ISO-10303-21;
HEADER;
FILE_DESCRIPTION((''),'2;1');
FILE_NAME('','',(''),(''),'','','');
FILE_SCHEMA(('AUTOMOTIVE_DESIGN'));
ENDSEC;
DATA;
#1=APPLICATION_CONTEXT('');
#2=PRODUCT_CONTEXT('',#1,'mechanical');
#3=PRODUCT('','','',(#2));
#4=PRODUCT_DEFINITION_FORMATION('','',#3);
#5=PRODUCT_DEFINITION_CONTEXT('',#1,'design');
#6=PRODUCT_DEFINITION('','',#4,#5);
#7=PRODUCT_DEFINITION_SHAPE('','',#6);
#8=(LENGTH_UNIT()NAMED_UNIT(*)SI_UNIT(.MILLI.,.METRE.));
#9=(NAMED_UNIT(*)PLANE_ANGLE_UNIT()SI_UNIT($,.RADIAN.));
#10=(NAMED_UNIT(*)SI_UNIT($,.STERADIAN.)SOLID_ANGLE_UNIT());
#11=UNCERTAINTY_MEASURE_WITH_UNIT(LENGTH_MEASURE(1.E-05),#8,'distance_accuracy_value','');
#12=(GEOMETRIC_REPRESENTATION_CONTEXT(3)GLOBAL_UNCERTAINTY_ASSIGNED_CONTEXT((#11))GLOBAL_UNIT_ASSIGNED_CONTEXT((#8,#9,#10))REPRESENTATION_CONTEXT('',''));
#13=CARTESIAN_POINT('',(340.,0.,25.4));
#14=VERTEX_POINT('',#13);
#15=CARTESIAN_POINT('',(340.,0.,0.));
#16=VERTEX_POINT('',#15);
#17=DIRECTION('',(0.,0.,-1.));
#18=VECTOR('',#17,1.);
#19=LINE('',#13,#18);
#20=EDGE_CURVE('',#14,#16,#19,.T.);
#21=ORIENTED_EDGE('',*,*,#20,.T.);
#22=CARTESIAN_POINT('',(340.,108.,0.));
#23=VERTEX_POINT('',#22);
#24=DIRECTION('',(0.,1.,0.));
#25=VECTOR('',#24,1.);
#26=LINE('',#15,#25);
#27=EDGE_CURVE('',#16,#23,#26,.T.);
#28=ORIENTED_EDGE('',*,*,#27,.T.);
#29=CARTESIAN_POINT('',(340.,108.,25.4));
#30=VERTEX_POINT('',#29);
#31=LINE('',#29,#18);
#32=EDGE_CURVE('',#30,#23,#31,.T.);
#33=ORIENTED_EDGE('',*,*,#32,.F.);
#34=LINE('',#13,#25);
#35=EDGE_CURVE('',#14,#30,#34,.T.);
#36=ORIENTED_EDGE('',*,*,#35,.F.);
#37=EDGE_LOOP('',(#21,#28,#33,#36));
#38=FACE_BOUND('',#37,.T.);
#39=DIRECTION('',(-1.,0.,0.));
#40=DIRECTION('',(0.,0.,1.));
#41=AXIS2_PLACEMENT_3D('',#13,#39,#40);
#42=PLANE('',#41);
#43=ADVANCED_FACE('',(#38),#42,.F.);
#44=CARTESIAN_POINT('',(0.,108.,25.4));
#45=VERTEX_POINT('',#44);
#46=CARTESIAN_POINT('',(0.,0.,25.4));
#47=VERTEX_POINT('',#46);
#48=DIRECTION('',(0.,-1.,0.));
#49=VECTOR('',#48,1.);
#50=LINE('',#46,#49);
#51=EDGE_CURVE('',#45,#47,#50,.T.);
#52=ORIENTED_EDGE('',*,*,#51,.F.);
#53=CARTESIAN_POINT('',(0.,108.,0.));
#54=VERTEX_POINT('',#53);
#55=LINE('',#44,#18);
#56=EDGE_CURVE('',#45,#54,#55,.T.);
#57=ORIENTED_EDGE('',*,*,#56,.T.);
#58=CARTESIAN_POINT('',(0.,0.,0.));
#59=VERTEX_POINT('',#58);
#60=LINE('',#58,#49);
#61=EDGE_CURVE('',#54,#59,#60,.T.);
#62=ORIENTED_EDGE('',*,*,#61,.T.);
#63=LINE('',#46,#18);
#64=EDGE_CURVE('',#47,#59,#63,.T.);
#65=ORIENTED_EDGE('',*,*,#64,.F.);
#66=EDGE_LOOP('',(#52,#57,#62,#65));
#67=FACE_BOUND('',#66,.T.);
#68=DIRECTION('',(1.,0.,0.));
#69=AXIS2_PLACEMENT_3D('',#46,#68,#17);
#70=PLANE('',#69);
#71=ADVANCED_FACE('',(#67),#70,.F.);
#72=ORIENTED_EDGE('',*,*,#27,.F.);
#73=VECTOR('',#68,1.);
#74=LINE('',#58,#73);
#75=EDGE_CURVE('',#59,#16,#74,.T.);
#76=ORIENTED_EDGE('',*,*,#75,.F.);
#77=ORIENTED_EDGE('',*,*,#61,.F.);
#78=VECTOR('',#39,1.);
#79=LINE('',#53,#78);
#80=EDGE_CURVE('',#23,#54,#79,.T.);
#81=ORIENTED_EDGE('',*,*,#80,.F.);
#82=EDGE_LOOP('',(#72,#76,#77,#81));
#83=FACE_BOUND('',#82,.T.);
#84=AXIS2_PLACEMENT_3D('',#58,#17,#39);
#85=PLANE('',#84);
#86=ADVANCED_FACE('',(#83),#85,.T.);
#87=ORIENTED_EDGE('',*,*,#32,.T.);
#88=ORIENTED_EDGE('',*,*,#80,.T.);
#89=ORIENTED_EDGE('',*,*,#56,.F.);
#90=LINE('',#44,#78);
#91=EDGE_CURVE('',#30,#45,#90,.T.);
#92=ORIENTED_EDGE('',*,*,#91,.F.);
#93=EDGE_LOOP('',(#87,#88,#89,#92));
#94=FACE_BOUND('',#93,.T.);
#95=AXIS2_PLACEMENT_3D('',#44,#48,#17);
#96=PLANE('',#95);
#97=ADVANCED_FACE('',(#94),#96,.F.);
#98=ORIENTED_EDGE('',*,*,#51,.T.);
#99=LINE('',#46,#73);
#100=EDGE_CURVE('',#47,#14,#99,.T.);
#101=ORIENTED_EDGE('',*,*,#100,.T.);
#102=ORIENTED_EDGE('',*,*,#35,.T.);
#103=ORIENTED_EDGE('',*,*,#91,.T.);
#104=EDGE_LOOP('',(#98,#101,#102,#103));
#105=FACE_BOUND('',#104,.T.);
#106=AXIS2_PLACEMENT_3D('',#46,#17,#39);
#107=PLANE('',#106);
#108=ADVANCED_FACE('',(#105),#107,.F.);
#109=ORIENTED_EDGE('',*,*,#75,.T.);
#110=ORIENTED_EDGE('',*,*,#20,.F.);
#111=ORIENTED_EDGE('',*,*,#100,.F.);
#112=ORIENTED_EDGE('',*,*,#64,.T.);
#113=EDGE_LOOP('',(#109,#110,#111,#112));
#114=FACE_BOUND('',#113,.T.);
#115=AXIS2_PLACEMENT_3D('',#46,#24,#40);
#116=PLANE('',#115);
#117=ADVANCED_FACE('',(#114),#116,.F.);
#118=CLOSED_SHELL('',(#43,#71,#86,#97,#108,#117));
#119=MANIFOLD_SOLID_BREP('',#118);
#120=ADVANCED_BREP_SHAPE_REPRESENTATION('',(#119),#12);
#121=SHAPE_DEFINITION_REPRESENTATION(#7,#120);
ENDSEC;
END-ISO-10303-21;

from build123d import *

# Parameters (mm, degrees)
SKETCH1_W           = 340
SKETCH1_H           = 108
BOSS_EXTRUDE1_DEPTH = 25.4


with BuildPart() as part:
    # Sketch1 → Boss-Extrude1 (new body)
    with BuildSketch(Plane.XY):
        with Locations((170, 54)):
            Rectangle(SKETCH1_W, SKETCH1_H)
    extrude(amount=BOSS_EXTRUDE1_DEPTH)


solid = part.part
